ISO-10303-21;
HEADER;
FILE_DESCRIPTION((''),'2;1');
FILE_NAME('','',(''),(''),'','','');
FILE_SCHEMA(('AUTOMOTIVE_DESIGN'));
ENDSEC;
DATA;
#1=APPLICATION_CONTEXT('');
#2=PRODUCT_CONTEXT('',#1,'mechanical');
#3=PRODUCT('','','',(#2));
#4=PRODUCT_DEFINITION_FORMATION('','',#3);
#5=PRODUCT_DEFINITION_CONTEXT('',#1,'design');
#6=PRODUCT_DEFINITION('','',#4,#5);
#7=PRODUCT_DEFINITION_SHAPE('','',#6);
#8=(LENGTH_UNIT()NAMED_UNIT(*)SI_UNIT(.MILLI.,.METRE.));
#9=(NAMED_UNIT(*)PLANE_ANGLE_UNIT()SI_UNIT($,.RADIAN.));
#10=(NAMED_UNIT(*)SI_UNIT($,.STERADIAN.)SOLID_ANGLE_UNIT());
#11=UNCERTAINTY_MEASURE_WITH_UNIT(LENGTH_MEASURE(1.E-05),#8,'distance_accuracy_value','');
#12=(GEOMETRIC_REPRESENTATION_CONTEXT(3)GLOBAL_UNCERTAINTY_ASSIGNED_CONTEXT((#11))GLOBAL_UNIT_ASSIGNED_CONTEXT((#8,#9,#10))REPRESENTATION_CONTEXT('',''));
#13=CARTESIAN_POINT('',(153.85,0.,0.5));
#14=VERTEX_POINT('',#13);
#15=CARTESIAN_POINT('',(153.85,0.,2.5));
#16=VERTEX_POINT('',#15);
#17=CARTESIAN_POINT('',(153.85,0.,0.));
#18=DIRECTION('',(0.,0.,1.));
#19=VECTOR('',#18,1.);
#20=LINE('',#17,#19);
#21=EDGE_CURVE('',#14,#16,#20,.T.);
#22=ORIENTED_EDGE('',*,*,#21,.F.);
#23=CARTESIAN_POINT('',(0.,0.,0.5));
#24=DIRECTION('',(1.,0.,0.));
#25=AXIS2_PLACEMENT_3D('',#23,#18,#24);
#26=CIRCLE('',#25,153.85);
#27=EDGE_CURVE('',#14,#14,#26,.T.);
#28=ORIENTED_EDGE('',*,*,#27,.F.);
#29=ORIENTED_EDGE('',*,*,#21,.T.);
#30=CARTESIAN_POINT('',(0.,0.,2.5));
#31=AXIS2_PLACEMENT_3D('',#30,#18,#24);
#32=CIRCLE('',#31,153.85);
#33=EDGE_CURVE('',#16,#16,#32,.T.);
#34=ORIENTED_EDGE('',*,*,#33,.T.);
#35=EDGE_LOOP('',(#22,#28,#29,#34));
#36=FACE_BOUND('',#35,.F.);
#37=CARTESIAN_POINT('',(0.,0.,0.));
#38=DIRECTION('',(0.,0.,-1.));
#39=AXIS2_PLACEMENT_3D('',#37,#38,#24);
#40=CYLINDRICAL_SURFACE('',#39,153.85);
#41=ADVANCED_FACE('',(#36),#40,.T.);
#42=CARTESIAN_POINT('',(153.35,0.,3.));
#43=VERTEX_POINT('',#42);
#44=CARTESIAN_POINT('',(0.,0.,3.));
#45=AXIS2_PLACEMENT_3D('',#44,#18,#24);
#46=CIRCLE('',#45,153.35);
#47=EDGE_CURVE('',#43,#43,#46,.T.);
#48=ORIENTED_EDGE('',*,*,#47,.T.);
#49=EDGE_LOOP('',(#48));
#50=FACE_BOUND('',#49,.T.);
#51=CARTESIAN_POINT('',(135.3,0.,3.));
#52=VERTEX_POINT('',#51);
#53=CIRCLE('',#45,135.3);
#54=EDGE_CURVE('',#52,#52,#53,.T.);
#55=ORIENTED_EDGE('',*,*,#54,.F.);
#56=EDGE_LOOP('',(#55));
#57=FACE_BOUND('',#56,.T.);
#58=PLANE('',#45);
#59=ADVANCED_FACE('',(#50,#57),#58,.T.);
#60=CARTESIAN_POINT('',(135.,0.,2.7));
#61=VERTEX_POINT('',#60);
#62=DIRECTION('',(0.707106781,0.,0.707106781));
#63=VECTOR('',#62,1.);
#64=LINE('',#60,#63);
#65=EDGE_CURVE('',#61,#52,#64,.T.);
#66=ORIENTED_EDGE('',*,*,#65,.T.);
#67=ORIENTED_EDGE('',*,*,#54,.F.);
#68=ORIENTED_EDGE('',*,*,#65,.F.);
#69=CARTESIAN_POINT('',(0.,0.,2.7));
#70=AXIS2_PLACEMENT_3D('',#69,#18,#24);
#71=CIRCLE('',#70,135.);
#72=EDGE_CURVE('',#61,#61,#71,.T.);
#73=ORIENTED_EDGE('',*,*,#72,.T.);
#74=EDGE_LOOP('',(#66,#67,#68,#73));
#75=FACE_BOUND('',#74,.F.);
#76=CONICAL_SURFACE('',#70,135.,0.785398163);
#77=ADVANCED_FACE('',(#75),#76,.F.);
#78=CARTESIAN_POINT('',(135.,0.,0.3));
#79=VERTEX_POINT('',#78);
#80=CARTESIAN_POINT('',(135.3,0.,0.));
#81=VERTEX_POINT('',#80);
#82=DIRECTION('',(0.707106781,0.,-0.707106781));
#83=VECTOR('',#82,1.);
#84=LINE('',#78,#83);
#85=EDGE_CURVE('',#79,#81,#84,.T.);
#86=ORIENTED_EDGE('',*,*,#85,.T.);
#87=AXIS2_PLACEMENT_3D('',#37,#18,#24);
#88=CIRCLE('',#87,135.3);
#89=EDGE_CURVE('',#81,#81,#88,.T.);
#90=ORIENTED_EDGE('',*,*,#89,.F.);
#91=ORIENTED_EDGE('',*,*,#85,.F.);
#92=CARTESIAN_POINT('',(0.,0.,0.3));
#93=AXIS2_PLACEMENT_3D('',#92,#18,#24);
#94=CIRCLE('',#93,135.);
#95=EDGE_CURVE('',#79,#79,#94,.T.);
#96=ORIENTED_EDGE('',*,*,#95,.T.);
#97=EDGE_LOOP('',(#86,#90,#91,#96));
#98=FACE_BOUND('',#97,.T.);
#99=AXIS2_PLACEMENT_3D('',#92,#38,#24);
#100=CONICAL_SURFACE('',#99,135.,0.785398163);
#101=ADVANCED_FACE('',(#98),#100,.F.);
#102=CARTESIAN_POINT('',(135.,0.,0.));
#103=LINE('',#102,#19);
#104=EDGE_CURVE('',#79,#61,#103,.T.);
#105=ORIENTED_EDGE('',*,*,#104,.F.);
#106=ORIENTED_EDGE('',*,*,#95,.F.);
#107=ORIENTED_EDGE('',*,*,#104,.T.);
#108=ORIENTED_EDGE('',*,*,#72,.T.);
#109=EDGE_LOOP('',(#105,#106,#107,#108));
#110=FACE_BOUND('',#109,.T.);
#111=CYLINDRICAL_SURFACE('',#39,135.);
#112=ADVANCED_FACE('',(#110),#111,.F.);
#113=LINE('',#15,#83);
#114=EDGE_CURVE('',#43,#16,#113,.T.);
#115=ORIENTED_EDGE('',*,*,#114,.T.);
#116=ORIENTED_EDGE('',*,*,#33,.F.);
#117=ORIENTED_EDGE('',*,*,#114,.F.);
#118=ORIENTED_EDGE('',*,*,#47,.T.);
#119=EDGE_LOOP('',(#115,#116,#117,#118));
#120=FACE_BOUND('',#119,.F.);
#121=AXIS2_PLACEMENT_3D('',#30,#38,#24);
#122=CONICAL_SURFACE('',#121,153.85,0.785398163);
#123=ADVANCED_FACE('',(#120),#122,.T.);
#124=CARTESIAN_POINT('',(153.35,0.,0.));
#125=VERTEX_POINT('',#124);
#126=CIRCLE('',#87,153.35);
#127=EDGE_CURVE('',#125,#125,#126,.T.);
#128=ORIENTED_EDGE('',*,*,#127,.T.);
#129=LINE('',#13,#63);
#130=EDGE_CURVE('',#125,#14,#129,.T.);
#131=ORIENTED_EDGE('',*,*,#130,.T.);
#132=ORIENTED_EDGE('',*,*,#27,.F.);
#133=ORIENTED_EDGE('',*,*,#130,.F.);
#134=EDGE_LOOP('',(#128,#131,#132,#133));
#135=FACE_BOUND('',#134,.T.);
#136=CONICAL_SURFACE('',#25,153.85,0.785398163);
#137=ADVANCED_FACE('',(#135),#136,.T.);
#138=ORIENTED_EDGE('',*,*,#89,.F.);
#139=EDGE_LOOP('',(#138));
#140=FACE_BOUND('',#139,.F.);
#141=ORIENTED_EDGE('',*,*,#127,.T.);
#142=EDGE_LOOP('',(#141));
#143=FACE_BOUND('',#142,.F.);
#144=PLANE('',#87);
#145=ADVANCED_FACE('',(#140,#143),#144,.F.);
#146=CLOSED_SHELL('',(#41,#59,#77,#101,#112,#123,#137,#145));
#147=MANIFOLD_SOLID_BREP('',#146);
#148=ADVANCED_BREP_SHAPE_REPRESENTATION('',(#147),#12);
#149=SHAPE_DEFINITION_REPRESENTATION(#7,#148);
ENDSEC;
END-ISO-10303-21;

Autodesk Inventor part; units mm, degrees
ref_plane "YZ Plane" through (0, 0, 0) normal (1, 0, 0) x (0, 1, 0)
ref_plane "XZ Plane" through (0, 0, 0) normal (0, 1, 0) x (-1, 0, 0)
ref_plane "XY Plane" through (0, 0, 0) normal (0, 0, 1) x (1, 0, 0)
sketch "草圖1" plane through (0, 0, 0) normal (0, 0, 1) x (1, 0, 0)
  circle A0 centre (0, 0) radius 135
  circle A1 centre (0, 0) radius 153.85
  dimension "d0" = 270
  dimension "d1" = 18.85
  dimension "d2" = 307.7
extrude "擠出1" add sketch "草圖1" along normal blind 3
chamfer "倒角1" distance 0.3 angle 45 2 edges at (-135, 0, 3) (-135, 0, 0)
chamfer "倒角2" distance 0.5 angle 45 2 edges at (-153.85, 0, 3) (-153.85, 0, 0)
properties part number "鐵弗龍間隔環"
